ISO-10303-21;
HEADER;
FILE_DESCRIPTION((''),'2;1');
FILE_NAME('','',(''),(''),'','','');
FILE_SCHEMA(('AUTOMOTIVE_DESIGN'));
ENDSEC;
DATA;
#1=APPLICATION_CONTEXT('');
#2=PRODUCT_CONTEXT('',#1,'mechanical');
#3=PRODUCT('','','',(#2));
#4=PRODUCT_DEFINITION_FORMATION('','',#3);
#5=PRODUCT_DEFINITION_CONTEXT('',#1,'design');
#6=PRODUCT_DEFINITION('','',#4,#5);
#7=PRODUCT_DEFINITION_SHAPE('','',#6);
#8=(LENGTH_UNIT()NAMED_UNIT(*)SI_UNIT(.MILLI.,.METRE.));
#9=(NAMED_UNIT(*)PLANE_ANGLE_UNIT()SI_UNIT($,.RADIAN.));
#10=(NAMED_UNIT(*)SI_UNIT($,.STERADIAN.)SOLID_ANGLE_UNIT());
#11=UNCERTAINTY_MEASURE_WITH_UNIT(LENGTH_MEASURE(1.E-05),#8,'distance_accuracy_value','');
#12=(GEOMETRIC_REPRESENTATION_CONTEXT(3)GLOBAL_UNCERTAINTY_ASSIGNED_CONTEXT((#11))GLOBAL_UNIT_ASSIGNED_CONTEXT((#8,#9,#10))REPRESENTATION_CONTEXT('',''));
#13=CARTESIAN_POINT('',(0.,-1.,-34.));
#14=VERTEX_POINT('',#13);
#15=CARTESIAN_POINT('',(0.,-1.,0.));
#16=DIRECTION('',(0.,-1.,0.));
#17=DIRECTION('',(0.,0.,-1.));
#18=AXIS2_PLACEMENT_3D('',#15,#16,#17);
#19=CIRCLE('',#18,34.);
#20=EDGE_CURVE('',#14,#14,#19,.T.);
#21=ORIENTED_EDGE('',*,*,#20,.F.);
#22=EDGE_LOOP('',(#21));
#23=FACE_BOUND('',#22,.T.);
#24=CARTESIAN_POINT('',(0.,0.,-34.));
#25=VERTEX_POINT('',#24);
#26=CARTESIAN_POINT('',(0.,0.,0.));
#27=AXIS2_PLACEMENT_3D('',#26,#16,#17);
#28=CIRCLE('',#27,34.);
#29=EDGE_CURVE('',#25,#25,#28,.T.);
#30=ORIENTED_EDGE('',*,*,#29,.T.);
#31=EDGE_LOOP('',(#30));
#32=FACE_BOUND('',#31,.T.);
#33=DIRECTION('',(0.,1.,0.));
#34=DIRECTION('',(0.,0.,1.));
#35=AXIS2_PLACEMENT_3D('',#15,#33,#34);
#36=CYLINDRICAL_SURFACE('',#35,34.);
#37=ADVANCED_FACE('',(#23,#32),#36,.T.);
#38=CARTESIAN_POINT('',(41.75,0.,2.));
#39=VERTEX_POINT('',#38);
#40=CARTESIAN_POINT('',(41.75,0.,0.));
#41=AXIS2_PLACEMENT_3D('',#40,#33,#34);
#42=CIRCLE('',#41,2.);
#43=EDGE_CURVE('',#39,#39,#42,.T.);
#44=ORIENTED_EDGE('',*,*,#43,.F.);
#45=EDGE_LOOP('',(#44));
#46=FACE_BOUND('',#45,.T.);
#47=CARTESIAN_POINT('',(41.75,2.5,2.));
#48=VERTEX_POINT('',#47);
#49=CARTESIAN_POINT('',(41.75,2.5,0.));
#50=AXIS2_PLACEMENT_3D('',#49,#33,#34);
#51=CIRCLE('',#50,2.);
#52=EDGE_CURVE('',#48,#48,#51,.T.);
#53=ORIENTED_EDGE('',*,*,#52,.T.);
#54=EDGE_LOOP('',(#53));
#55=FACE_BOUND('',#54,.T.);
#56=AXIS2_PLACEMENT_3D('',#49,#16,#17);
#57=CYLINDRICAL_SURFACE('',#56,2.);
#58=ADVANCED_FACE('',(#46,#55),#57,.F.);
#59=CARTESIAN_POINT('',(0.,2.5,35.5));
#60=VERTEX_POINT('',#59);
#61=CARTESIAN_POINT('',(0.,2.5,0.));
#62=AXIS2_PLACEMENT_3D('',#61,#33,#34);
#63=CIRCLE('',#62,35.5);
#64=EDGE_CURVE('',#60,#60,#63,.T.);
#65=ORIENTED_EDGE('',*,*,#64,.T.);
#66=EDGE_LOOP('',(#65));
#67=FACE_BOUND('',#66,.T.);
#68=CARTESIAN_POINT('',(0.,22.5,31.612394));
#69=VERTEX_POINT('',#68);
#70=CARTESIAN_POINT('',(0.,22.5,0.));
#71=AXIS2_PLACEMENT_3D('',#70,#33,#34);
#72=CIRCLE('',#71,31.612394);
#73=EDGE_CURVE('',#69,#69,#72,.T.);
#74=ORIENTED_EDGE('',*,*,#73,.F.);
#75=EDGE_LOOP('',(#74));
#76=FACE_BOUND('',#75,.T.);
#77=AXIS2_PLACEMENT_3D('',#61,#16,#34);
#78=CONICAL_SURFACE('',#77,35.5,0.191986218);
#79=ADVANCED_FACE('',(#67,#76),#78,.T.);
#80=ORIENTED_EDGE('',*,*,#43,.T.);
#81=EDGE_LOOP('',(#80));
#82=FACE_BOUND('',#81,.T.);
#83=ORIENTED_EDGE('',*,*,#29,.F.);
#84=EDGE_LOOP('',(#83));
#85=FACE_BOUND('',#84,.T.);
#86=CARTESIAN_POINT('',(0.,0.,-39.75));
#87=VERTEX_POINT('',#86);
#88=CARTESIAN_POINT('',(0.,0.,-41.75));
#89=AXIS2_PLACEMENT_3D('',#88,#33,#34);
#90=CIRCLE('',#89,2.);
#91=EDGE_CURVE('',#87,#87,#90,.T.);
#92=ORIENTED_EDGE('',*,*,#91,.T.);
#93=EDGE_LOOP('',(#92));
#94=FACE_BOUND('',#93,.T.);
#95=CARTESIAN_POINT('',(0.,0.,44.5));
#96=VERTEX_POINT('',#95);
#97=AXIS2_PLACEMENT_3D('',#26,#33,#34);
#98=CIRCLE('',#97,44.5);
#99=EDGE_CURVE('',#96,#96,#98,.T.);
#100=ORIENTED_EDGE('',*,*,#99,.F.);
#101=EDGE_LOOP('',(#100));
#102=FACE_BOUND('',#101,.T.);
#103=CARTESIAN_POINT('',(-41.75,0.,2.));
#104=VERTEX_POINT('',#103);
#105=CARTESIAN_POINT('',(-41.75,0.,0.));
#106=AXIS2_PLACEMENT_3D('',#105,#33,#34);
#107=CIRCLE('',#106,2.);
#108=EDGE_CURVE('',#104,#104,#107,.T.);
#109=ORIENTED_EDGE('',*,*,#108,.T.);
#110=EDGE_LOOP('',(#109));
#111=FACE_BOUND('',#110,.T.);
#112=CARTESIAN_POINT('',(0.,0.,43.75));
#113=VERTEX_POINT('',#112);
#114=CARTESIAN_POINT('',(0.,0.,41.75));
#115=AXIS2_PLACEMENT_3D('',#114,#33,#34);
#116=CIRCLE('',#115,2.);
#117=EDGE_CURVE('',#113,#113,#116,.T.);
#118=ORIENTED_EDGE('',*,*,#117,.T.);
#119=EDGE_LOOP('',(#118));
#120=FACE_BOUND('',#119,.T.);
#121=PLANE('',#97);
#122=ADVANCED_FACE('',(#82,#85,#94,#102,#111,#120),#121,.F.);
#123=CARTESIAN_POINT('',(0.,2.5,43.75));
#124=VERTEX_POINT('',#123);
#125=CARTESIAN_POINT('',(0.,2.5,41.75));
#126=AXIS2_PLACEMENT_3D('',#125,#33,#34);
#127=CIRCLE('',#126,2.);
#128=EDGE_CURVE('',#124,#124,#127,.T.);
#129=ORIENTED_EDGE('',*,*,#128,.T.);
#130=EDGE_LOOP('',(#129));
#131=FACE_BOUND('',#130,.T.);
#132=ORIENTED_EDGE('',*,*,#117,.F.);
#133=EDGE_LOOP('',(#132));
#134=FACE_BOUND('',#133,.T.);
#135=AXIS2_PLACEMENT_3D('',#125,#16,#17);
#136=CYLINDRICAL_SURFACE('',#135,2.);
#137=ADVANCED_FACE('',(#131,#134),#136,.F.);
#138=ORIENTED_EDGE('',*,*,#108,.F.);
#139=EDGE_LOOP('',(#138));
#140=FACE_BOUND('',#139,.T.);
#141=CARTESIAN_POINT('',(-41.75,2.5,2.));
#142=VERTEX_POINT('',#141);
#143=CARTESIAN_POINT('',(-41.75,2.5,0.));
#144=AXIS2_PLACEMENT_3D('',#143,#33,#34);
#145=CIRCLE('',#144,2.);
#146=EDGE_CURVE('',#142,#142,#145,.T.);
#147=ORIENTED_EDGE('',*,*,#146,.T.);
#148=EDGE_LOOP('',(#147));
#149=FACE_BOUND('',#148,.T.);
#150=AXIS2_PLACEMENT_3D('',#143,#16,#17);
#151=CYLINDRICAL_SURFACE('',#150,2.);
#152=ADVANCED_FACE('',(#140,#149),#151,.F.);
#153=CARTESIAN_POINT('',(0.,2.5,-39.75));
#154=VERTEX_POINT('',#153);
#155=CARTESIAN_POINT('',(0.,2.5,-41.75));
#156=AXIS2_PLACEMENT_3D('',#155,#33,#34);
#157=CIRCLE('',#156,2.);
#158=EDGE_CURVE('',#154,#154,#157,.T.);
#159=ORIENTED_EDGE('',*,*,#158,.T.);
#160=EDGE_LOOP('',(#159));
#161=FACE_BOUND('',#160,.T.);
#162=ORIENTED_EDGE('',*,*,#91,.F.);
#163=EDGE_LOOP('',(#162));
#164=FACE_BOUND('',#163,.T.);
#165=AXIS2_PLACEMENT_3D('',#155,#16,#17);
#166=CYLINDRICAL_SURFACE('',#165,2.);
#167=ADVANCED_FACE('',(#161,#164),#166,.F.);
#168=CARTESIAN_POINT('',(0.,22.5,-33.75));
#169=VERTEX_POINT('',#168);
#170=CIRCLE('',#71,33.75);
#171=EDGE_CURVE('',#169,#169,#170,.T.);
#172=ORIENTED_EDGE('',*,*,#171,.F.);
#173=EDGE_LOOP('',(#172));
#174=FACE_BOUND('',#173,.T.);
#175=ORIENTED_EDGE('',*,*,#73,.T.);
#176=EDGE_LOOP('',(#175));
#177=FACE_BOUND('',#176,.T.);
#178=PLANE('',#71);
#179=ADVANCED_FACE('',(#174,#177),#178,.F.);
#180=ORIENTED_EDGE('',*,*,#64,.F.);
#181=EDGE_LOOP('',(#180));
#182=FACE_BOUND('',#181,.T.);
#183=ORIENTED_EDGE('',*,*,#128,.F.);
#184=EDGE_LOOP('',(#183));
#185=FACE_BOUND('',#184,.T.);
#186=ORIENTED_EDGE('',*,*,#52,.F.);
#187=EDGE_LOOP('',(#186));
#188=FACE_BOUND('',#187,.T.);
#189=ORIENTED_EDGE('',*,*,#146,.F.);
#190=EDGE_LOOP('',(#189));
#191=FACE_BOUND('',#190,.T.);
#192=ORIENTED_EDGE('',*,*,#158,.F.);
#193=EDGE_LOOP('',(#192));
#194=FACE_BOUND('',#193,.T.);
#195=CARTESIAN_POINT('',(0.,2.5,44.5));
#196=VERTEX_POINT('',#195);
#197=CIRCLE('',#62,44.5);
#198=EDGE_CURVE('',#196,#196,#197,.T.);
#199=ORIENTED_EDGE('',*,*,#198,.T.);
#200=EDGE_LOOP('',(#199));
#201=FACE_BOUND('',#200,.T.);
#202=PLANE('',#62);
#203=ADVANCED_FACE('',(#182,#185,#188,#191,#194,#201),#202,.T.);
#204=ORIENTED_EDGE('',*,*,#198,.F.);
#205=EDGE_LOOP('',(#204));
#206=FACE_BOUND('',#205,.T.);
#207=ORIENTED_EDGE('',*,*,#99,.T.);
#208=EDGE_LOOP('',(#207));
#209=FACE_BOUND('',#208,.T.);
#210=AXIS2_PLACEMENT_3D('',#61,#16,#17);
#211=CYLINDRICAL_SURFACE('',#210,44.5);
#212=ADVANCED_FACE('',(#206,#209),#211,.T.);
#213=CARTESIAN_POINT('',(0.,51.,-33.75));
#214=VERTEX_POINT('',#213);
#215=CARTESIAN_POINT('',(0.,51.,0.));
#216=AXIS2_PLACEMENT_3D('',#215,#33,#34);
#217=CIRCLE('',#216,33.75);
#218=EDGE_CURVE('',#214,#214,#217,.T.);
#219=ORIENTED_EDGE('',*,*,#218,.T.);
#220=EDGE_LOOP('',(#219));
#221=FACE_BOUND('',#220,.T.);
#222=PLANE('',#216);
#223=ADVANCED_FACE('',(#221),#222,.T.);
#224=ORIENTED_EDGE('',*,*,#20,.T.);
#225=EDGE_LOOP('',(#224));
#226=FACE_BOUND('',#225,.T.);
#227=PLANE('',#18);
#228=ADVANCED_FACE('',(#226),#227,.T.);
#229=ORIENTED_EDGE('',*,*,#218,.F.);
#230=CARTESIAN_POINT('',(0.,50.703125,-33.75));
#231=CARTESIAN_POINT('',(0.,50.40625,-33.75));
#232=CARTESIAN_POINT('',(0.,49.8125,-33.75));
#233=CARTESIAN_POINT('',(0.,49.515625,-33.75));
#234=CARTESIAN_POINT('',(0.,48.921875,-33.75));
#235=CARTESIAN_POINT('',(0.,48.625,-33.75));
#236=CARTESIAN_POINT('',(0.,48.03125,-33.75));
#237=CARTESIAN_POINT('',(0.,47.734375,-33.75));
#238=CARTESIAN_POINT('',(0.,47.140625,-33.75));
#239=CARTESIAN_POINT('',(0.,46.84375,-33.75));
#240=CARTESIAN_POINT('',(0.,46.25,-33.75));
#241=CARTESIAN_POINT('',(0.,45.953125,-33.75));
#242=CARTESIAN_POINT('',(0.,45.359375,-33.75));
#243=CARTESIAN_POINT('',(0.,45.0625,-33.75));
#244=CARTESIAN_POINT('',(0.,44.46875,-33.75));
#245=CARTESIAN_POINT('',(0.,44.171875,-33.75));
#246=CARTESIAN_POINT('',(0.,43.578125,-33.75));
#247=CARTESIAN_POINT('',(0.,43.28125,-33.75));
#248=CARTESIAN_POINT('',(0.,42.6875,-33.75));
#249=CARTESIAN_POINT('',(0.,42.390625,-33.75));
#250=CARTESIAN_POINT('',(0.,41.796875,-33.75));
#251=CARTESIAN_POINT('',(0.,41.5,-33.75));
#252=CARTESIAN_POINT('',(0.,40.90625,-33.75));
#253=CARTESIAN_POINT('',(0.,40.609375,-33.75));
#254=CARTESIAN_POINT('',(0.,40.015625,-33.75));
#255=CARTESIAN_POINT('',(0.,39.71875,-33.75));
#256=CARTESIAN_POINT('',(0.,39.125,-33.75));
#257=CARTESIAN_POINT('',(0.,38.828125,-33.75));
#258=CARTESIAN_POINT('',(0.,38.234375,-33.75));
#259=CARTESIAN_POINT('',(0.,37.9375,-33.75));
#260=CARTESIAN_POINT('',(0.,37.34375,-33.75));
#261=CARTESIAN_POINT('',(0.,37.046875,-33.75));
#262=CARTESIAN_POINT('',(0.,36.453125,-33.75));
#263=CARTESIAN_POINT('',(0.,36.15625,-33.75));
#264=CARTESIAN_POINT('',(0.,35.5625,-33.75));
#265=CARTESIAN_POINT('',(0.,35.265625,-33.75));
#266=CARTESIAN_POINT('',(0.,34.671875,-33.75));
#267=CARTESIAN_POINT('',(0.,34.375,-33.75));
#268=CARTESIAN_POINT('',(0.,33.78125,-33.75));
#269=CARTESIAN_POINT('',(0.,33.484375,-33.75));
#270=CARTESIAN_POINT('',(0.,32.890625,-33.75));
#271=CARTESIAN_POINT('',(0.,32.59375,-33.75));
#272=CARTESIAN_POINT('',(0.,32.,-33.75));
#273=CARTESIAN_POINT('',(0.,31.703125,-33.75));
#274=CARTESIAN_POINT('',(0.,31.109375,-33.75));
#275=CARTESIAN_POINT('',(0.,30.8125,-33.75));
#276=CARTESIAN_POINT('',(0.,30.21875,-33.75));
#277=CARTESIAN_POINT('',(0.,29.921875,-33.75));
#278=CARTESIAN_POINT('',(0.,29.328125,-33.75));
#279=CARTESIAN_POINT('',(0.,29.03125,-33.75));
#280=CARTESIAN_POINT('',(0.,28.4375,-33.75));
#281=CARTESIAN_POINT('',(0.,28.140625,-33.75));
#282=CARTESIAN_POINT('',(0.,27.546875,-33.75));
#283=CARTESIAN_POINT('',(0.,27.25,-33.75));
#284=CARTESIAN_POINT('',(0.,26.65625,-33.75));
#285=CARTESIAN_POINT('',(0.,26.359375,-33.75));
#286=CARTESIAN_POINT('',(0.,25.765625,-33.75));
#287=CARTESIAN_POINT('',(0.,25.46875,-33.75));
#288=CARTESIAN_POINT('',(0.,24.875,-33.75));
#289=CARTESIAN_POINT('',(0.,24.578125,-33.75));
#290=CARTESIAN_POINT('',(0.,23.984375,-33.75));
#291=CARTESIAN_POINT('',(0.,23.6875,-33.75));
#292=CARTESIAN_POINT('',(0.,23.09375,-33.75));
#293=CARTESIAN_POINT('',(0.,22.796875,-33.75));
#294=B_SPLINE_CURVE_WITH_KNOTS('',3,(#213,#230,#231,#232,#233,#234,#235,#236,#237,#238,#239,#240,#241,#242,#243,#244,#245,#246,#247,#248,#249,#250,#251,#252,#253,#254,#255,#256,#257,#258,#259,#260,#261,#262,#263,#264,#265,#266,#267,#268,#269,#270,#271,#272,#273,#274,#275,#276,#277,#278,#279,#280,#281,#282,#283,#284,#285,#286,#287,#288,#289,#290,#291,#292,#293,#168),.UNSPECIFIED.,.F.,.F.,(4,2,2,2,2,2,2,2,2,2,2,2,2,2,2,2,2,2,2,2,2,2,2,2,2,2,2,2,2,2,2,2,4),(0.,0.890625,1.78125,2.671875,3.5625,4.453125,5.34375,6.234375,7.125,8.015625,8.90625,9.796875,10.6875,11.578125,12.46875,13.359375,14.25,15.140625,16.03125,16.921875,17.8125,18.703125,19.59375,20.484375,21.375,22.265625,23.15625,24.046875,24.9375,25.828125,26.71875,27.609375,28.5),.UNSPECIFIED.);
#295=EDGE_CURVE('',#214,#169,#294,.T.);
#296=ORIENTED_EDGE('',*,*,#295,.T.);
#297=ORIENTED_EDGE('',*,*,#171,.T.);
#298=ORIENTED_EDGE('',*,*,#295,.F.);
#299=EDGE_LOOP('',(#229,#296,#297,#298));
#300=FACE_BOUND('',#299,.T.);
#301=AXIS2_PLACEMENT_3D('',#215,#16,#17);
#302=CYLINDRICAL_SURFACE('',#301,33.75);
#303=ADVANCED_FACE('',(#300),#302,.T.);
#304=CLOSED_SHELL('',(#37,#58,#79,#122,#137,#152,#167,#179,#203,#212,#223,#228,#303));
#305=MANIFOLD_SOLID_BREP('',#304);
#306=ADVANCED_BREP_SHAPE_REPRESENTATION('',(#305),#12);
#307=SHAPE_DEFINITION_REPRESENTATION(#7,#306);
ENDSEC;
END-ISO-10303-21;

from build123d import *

# Parameters (mm, degrees)
SKETCH1_R           = 44.5
SKETCH1_R_2         = 2
BOSS_EXTRUDE1_DEPTH = 2.5
SKETCH2_R           = 34
BOSS_EXTRUDE2_DEPTH = 1
SKETCH3_R           = 35.5
BOSS_EXTRUDE3_DEPTH = 20
BOSS_EXTRUDE3_TAPER = 11
SKETCH4_R           = 33.75
BOSS_EXTRUDE4_DEPTH = 28.5


with BuildPart() as part:
    # Sketch1 → Boss-Extrude1 (new body)
    with BuildSketch(Plane(origin=(0, 0, 0), x_dir=(1, 0, 0), z_dir=(0, 1, 0))):
        with Locations(Location((0, 0, 0), (0, 0, 270))):
            Circle(SKETCH1_R)
        with Locations(Location((0, 41.75, 0), (0, 0, 270))):
            Circle(SKETCH1_R_2, mode=Mode.SUBTRACT)
        with Locations(Location((41.75, 0, 0), (0, 0, 270))):
            Circle(SKETCH1_R_2, mode=Mode.SUBTRACT)
        with Locations(Location((0, -41.75, 0), (0, 0, 270))):
            Circle(SKETCH1_R_2, mode=Mode.SUBTRACT)
        with Locations(Location((-41.75, 0, 0), (0, 0, 270))):
            Circle(SKETCH1_R_2, mode=Mode.SUBTRACT)
    extrude(amount=BOSS_EXTRUDE1_DEPTH)

    # Sketch2 → Boss-Extrude2 (add)
    with BuildSketch(Plane(origin=(0, 0, 0), x_dir=(-1, 0, 0), z_dir=(0, -1, 0))):
        with Locations(Location((0, 0, 0), (0, 0, 90))):
            Circle(SKETCH2_R)
    extrude(amount=BOSS_EXTRUDE2_DEPTH)

    # Sketch3 → Boss-Extrude3 (add)
    with BuildSketch(Plane(origin=(0, 2.5, 0), x_dir=(1, 0, 0), z_dir=(0, 1, 0))):
        Circle(SKETCH3_R)
    extrude(amount=BOSS_EXTRUDE3_DEPTH, taper=BOSS_EXTRUDE3_TAPER)

    # Sketch4 → Boss-Extrude4 (add)
    with BuildSketch(Plane(origin=(0, 22.5, 0), x_dir=(1, 0, 0), z_dir=(0, 1, 0))):
        with Locations(Location((0, 0, 0), (0, 0, 90))):
            Circle(SKETCH4_R)
    extrude(amount=BOSS_EXTRUDE4_DEPTH)


solid = part.part
